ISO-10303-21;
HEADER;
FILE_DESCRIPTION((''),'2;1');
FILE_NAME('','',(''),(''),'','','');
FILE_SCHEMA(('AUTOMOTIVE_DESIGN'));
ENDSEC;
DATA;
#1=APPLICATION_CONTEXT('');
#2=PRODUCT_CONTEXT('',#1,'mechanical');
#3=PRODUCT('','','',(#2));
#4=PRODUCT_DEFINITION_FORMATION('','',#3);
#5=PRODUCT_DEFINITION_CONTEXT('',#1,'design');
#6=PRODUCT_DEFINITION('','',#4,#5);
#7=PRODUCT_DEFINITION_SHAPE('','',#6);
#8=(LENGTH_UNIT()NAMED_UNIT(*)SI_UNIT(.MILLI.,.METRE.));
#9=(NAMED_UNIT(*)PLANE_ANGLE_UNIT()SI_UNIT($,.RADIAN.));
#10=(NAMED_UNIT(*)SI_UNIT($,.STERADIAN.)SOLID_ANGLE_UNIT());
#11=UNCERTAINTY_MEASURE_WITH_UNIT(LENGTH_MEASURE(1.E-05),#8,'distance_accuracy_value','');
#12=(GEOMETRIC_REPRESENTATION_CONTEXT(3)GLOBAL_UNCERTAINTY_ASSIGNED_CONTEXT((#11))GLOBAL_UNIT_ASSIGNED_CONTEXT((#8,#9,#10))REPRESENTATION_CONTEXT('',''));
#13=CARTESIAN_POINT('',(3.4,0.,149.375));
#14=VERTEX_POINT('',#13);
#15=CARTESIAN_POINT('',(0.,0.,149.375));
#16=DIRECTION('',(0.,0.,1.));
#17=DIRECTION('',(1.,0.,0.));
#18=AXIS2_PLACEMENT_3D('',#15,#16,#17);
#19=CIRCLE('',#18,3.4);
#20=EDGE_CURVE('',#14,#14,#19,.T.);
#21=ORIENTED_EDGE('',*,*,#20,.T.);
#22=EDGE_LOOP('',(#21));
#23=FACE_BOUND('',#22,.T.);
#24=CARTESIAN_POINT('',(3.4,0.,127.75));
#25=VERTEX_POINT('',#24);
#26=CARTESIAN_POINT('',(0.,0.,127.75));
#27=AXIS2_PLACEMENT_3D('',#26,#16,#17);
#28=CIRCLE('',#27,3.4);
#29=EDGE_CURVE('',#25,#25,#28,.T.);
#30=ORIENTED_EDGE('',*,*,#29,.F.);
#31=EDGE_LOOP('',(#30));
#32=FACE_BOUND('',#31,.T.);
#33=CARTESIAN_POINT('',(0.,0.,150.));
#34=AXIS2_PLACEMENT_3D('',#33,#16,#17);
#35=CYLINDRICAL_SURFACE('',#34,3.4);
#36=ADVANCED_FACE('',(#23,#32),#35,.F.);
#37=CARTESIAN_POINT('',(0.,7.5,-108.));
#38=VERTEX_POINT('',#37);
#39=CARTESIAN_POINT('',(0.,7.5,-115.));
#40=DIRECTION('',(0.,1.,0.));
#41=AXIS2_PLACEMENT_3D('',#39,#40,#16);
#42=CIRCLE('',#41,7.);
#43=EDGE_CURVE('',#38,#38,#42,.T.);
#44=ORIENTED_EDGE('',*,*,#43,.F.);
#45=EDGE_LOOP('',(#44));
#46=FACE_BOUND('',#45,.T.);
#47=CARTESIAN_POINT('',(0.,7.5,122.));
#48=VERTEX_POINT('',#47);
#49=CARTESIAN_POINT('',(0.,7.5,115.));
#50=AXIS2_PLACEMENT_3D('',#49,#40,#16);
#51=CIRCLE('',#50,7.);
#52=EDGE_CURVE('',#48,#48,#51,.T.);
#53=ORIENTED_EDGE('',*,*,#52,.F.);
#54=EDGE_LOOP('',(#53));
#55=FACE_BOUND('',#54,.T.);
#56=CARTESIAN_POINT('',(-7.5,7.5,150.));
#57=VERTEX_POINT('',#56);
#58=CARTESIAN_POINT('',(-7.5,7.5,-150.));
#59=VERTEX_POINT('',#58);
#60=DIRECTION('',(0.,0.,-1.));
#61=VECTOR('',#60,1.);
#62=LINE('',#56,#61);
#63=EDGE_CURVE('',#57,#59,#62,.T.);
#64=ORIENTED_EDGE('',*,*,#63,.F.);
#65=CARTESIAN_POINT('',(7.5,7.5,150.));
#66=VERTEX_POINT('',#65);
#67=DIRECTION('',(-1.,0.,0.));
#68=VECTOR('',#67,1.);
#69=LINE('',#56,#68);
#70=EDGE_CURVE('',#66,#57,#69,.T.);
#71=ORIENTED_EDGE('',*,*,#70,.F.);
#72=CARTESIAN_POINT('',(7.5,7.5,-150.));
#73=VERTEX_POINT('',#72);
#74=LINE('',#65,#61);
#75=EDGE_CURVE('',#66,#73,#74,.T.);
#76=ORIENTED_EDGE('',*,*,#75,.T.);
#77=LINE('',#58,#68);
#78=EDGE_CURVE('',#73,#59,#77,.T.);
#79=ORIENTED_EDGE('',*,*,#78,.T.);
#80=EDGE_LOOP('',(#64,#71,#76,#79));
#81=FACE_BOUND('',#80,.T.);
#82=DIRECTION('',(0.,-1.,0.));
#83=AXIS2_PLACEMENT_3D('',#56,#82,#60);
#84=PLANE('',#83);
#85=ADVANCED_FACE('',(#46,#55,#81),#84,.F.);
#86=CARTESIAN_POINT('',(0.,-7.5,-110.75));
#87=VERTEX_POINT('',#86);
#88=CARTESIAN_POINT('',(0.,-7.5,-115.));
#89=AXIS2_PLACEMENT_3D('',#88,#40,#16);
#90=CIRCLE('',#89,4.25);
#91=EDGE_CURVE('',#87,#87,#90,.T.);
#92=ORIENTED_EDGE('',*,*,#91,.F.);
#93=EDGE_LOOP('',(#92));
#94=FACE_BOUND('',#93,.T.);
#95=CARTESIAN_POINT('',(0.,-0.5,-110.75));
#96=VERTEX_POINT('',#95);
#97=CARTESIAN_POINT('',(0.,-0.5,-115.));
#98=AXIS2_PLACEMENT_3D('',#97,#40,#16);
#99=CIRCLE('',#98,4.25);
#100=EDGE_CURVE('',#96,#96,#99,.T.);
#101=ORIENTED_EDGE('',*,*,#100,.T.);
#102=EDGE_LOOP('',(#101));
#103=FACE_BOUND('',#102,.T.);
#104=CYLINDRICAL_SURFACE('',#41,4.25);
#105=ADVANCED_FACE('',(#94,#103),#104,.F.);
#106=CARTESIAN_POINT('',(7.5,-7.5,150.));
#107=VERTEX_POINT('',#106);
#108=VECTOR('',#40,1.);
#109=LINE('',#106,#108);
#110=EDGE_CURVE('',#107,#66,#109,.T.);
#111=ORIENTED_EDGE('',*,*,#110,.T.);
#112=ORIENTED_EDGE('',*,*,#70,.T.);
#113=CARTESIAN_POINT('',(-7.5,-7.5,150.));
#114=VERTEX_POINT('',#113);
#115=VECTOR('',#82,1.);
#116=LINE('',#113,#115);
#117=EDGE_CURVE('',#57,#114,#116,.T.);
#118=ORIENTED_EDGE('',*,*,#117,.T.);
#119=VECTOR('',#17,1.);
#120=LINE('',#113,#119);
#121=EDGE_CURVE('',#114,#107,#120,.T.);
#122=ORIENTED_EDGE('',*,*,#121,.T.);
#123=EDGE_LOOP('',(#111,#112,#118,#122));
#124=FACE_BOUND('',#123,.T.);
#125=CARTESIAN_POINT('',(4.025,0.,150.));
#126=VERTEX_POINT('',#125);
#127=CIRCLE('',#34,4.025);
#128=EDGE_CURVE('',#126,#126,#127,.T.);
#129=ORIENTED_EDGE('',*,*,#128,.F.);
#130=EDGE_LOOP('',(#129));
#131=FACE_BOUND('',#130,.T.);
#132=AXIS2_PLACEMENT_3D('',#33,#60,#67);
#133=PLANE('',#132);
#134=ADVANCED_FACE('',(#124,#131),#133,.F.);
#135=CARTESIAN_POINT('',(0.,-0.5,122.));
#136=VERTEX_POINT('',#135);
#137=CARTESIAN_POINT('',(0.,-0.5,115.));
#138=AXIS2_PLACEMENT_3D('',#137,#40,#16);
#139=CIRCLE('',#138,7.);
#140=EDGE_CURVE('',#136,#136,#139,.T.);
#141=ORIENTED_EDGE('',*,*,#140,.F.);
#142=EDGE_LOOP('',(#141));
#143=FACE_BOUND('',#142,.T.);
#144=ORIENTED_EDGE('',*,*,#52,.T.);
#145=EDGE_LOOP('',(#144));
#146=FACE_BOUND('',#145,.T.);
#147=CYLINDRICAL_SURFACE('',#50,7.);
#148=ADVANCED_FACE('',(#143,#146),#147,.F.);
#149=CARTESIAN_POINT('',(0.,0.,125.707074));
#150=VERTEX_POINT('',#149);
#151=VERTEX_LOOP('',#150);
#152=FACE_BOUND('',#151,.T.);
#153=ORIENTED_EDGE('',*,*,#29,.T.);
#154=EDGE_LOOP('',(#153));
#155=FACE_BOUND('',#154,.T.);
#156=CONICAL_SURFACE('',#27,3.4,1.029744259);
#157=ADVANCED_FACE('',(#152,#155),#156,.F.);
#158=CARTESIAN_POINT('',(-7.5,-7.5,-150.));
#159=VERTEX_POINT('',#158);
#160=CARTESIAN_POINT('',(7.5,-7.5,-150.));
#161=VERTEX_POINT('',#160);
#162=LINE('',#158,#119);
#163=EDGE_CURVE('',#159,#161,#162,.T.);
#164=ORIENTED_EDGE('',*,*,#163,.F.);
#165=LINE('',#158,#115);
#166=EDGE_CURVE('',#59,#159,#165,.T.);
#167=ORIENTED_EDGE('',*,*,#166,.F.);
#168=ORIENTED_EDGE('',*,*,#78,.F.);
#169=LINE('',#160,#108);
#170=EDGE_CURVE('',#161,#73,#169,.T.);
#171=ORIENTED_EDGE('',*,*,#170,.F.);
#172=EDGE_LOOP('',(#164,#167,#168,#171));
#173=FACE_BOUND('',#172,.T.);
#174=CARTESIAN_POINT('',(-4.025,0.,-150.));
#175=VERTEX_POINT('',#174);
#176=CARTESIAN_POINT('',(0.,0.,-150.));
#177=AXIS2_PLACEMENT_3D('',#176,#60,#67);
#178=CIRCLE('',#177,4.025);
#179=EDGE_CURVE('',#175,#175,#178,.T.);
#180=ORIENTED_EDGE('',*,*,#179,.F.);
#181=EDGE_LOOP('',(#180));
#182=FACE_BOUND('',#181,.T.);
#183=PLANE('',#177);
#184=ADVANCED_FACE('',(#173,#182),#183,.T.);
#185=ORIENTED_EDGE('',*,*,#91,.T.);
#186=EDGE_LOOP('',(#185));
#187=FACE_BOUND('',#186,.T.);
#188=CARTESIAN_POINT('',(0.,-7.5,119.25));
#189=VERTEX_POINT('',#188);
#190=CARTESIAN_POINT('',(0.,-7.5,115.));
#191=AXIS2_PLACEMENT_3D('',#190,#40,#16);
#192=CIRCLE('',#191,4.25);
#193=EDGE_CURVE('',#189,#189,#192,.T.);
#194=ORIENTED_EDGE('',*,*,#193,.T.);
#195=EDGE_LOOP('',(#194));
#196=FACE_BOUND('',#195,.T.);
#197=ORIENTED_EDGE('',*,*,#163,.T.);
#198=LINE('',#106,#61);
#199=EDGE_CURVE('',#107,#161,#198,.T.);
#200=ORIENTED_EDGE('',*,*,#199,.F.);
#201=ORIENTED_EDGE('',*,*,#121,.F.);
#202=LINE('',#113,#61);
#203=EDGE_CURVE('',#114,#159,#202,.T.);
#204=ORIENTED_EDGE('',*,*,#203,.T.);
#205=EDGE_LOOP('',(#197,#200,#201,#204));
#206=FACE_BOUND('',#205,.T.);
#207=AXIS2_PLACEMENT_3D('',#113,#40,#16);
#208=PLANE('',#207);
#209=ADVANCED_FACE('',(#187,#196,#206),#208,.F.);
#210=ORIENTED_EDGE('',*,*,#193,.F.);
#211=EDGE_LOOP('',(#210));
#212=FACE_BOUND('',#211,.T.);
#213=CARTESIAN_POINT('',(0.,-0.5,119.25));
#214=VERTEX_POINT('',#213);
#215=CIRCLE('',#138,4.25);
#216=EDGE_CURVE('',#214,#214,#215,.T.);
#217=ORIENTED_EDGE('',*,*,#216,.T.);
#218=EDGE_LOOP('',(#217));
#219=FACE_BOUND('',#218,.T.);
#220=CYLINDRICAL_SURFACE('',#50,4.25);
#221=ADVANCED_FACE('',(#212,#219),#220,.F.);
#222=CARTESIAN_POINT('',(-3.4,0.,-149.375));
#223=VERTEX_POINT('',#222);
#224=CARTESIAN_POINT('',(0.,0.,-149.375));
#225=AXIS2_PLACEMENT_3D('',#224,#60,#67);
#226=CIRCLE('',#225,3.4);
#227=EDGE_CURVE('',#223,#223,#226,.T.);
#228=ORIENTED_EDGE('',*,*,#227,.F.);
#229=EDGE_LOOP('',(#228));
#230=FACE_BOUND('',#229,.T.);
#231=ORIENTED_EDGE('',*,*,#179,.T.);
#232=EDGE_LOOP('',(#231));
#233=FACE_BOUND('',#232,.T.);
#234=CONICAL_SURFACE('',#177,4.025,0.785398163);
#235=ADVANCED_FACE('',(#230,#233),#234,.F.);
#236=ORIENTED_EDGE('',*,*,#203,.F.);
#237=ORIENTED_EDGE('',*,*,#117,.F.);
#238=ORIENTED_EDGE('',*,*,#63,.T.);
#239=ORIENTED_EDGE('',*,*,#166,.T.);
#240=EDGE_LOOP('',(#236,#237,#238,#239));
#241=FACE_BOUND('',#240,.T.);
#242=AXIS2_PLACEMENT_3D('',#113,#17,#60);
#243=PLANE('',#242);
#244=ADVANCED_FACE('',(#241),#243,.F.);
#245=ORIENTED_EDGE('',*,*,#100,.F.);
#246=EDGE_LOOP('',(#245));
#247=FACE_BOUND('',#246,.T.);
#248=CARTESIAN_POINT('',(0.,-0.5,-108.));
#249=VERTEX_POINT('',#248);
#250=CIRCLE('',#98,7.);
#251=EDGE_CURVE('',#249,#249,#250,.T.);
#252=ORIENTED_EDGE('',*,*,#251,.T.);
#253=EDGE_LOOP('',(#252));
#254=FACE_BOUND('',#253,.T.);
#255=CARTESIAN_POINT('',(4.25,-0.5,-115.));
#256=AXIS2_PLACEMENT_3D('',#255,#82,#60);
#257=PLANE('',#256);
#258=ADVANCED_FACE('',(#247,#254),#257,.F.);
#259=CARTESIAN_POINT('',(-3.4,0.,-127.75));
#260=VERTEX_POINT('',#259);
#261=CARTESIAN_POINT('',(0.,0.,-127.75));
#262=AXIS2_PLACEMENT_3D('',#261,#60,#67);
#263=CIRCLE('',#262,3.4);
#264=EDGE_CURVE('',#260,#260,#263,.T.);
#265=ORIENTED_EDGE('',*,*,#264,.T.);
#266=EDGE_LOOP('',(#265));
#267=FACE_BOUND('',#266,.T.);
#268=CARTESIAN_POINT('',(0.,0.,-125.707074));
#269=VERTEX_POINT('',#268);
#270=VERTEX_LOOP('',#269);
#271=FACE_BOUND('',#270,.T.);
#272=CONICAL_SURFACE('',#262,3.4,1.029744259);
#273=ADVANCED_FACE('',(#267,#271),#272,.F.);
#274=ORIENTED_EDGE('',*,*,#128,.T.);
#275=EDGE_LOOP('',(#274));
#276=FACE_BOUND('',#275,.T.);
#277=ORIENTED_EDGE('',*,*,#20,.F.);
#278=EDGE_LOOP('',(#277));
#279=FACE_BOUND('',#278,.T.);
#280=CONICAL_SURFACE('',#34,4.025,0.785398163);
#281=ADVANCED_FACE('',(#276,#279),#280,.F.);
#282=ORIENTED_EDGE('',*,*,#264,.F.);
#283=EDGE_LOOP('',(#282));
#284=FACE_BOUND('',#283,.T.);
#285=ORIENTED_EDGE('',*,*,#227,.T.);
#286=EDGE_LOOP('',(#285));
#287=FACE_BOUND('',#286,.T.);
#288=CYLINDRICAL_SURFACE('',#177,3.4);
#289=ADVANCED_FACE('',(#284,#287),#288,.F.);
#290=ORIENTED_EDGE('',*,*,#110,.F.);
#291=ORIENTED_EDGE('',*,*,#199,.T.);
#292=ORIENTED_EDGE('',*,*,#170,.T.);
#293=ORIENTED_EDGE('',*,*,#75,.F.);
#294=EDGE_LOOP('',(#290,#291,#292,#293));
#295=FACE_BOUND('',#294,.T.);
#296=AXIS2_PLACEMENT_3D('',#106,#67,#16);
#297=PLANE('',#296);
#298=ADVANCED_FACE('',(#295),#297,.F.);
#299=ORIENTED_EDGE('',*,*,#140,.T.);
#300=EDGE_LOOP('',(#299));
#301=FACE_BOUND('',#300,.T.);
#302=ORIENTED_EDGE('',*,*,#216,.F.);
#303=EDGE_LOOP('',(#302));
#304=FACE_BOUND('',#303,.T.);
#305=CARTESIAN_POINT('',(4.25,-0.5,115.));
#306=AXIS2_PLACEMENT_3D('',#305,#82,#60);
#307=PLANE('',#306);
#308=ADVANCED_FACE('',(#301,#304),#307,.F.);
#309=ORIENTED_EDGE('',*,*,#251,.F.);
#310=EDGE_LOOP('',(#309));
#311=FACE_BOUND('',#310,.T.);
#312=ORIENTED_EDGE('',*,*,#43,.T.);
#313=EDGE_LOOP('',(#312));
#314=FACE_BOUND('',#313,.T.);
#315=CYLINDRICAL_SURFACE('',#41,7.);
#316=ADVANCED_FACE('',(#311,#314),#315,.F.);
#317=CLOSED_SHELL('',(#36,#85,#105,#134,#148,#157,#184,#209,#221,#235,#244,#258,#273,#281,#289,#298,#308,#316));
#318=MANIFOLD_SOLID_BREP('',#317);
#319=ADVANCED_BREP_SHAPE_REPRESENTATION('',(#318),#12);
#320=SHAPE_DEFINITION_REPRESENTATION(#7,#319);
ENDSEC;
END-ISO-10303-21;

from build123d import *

# Parameters (mm, degrees)
SKETCH1_W           = 15
SKETCH1_H           = 15
BOSS_EXTRUDE1_DEPTH = 150
HOLE1_D             = 8.5
HOLE1_CBORE_D       = 14
HOLE1_CBORE_DEPTH   = 8


with BuildPart() as part:
    # Sketch1 → Boss-Extrude1 (new, symmetric)
    with BuildSketch(Plane.XY):
        Rectangle(SKETCH1_W, SKETCH1_H)
    extrude(amount=BOSS_EXTRUDE1_DEPTH, both=True)

    # Sketch3 → M8 Tapped Hole1 (revolve, cut)
    with BuildSketch(Plane(origin=(0, 0, 150), x_dir=(0, -1, 0), z_dir=(1, 0, 0))):
        Polygon((0, 0), (0, 24.292926105), (3.4, 22.25), (3.4, 0.625), (4.025, 0), align=None)
    m8_tapped_hole1 = revolve(axis=Axis((0, 0, 156.35), (0, 0, -1)), mode=Mode.SUBTRACT)

    # Mirror1: M8 Tapped Hole1 across plane
    add(m8_tapped_hole1.mirror(Plane.XY), mode=Mode.SUBTRACT)

    # Hole1 (through all)
    with Locations(Plane(origin=(0, 7.5, 0), x_dir=(1, 0, 0), z_dir=(0, 1, 0))):
        with Locations((0, 115)):
            hole1 = CounterBoreHole(HOLE1_D / 2, HOLE1_CBORE_D / 2, HOLE1_CBORE_DEPTH)

    # Mirror2: Hole1 across plane
    add(hole1.mirror(Plane.XY), mode=Mode.SUBTRACT)


solid = part.part
